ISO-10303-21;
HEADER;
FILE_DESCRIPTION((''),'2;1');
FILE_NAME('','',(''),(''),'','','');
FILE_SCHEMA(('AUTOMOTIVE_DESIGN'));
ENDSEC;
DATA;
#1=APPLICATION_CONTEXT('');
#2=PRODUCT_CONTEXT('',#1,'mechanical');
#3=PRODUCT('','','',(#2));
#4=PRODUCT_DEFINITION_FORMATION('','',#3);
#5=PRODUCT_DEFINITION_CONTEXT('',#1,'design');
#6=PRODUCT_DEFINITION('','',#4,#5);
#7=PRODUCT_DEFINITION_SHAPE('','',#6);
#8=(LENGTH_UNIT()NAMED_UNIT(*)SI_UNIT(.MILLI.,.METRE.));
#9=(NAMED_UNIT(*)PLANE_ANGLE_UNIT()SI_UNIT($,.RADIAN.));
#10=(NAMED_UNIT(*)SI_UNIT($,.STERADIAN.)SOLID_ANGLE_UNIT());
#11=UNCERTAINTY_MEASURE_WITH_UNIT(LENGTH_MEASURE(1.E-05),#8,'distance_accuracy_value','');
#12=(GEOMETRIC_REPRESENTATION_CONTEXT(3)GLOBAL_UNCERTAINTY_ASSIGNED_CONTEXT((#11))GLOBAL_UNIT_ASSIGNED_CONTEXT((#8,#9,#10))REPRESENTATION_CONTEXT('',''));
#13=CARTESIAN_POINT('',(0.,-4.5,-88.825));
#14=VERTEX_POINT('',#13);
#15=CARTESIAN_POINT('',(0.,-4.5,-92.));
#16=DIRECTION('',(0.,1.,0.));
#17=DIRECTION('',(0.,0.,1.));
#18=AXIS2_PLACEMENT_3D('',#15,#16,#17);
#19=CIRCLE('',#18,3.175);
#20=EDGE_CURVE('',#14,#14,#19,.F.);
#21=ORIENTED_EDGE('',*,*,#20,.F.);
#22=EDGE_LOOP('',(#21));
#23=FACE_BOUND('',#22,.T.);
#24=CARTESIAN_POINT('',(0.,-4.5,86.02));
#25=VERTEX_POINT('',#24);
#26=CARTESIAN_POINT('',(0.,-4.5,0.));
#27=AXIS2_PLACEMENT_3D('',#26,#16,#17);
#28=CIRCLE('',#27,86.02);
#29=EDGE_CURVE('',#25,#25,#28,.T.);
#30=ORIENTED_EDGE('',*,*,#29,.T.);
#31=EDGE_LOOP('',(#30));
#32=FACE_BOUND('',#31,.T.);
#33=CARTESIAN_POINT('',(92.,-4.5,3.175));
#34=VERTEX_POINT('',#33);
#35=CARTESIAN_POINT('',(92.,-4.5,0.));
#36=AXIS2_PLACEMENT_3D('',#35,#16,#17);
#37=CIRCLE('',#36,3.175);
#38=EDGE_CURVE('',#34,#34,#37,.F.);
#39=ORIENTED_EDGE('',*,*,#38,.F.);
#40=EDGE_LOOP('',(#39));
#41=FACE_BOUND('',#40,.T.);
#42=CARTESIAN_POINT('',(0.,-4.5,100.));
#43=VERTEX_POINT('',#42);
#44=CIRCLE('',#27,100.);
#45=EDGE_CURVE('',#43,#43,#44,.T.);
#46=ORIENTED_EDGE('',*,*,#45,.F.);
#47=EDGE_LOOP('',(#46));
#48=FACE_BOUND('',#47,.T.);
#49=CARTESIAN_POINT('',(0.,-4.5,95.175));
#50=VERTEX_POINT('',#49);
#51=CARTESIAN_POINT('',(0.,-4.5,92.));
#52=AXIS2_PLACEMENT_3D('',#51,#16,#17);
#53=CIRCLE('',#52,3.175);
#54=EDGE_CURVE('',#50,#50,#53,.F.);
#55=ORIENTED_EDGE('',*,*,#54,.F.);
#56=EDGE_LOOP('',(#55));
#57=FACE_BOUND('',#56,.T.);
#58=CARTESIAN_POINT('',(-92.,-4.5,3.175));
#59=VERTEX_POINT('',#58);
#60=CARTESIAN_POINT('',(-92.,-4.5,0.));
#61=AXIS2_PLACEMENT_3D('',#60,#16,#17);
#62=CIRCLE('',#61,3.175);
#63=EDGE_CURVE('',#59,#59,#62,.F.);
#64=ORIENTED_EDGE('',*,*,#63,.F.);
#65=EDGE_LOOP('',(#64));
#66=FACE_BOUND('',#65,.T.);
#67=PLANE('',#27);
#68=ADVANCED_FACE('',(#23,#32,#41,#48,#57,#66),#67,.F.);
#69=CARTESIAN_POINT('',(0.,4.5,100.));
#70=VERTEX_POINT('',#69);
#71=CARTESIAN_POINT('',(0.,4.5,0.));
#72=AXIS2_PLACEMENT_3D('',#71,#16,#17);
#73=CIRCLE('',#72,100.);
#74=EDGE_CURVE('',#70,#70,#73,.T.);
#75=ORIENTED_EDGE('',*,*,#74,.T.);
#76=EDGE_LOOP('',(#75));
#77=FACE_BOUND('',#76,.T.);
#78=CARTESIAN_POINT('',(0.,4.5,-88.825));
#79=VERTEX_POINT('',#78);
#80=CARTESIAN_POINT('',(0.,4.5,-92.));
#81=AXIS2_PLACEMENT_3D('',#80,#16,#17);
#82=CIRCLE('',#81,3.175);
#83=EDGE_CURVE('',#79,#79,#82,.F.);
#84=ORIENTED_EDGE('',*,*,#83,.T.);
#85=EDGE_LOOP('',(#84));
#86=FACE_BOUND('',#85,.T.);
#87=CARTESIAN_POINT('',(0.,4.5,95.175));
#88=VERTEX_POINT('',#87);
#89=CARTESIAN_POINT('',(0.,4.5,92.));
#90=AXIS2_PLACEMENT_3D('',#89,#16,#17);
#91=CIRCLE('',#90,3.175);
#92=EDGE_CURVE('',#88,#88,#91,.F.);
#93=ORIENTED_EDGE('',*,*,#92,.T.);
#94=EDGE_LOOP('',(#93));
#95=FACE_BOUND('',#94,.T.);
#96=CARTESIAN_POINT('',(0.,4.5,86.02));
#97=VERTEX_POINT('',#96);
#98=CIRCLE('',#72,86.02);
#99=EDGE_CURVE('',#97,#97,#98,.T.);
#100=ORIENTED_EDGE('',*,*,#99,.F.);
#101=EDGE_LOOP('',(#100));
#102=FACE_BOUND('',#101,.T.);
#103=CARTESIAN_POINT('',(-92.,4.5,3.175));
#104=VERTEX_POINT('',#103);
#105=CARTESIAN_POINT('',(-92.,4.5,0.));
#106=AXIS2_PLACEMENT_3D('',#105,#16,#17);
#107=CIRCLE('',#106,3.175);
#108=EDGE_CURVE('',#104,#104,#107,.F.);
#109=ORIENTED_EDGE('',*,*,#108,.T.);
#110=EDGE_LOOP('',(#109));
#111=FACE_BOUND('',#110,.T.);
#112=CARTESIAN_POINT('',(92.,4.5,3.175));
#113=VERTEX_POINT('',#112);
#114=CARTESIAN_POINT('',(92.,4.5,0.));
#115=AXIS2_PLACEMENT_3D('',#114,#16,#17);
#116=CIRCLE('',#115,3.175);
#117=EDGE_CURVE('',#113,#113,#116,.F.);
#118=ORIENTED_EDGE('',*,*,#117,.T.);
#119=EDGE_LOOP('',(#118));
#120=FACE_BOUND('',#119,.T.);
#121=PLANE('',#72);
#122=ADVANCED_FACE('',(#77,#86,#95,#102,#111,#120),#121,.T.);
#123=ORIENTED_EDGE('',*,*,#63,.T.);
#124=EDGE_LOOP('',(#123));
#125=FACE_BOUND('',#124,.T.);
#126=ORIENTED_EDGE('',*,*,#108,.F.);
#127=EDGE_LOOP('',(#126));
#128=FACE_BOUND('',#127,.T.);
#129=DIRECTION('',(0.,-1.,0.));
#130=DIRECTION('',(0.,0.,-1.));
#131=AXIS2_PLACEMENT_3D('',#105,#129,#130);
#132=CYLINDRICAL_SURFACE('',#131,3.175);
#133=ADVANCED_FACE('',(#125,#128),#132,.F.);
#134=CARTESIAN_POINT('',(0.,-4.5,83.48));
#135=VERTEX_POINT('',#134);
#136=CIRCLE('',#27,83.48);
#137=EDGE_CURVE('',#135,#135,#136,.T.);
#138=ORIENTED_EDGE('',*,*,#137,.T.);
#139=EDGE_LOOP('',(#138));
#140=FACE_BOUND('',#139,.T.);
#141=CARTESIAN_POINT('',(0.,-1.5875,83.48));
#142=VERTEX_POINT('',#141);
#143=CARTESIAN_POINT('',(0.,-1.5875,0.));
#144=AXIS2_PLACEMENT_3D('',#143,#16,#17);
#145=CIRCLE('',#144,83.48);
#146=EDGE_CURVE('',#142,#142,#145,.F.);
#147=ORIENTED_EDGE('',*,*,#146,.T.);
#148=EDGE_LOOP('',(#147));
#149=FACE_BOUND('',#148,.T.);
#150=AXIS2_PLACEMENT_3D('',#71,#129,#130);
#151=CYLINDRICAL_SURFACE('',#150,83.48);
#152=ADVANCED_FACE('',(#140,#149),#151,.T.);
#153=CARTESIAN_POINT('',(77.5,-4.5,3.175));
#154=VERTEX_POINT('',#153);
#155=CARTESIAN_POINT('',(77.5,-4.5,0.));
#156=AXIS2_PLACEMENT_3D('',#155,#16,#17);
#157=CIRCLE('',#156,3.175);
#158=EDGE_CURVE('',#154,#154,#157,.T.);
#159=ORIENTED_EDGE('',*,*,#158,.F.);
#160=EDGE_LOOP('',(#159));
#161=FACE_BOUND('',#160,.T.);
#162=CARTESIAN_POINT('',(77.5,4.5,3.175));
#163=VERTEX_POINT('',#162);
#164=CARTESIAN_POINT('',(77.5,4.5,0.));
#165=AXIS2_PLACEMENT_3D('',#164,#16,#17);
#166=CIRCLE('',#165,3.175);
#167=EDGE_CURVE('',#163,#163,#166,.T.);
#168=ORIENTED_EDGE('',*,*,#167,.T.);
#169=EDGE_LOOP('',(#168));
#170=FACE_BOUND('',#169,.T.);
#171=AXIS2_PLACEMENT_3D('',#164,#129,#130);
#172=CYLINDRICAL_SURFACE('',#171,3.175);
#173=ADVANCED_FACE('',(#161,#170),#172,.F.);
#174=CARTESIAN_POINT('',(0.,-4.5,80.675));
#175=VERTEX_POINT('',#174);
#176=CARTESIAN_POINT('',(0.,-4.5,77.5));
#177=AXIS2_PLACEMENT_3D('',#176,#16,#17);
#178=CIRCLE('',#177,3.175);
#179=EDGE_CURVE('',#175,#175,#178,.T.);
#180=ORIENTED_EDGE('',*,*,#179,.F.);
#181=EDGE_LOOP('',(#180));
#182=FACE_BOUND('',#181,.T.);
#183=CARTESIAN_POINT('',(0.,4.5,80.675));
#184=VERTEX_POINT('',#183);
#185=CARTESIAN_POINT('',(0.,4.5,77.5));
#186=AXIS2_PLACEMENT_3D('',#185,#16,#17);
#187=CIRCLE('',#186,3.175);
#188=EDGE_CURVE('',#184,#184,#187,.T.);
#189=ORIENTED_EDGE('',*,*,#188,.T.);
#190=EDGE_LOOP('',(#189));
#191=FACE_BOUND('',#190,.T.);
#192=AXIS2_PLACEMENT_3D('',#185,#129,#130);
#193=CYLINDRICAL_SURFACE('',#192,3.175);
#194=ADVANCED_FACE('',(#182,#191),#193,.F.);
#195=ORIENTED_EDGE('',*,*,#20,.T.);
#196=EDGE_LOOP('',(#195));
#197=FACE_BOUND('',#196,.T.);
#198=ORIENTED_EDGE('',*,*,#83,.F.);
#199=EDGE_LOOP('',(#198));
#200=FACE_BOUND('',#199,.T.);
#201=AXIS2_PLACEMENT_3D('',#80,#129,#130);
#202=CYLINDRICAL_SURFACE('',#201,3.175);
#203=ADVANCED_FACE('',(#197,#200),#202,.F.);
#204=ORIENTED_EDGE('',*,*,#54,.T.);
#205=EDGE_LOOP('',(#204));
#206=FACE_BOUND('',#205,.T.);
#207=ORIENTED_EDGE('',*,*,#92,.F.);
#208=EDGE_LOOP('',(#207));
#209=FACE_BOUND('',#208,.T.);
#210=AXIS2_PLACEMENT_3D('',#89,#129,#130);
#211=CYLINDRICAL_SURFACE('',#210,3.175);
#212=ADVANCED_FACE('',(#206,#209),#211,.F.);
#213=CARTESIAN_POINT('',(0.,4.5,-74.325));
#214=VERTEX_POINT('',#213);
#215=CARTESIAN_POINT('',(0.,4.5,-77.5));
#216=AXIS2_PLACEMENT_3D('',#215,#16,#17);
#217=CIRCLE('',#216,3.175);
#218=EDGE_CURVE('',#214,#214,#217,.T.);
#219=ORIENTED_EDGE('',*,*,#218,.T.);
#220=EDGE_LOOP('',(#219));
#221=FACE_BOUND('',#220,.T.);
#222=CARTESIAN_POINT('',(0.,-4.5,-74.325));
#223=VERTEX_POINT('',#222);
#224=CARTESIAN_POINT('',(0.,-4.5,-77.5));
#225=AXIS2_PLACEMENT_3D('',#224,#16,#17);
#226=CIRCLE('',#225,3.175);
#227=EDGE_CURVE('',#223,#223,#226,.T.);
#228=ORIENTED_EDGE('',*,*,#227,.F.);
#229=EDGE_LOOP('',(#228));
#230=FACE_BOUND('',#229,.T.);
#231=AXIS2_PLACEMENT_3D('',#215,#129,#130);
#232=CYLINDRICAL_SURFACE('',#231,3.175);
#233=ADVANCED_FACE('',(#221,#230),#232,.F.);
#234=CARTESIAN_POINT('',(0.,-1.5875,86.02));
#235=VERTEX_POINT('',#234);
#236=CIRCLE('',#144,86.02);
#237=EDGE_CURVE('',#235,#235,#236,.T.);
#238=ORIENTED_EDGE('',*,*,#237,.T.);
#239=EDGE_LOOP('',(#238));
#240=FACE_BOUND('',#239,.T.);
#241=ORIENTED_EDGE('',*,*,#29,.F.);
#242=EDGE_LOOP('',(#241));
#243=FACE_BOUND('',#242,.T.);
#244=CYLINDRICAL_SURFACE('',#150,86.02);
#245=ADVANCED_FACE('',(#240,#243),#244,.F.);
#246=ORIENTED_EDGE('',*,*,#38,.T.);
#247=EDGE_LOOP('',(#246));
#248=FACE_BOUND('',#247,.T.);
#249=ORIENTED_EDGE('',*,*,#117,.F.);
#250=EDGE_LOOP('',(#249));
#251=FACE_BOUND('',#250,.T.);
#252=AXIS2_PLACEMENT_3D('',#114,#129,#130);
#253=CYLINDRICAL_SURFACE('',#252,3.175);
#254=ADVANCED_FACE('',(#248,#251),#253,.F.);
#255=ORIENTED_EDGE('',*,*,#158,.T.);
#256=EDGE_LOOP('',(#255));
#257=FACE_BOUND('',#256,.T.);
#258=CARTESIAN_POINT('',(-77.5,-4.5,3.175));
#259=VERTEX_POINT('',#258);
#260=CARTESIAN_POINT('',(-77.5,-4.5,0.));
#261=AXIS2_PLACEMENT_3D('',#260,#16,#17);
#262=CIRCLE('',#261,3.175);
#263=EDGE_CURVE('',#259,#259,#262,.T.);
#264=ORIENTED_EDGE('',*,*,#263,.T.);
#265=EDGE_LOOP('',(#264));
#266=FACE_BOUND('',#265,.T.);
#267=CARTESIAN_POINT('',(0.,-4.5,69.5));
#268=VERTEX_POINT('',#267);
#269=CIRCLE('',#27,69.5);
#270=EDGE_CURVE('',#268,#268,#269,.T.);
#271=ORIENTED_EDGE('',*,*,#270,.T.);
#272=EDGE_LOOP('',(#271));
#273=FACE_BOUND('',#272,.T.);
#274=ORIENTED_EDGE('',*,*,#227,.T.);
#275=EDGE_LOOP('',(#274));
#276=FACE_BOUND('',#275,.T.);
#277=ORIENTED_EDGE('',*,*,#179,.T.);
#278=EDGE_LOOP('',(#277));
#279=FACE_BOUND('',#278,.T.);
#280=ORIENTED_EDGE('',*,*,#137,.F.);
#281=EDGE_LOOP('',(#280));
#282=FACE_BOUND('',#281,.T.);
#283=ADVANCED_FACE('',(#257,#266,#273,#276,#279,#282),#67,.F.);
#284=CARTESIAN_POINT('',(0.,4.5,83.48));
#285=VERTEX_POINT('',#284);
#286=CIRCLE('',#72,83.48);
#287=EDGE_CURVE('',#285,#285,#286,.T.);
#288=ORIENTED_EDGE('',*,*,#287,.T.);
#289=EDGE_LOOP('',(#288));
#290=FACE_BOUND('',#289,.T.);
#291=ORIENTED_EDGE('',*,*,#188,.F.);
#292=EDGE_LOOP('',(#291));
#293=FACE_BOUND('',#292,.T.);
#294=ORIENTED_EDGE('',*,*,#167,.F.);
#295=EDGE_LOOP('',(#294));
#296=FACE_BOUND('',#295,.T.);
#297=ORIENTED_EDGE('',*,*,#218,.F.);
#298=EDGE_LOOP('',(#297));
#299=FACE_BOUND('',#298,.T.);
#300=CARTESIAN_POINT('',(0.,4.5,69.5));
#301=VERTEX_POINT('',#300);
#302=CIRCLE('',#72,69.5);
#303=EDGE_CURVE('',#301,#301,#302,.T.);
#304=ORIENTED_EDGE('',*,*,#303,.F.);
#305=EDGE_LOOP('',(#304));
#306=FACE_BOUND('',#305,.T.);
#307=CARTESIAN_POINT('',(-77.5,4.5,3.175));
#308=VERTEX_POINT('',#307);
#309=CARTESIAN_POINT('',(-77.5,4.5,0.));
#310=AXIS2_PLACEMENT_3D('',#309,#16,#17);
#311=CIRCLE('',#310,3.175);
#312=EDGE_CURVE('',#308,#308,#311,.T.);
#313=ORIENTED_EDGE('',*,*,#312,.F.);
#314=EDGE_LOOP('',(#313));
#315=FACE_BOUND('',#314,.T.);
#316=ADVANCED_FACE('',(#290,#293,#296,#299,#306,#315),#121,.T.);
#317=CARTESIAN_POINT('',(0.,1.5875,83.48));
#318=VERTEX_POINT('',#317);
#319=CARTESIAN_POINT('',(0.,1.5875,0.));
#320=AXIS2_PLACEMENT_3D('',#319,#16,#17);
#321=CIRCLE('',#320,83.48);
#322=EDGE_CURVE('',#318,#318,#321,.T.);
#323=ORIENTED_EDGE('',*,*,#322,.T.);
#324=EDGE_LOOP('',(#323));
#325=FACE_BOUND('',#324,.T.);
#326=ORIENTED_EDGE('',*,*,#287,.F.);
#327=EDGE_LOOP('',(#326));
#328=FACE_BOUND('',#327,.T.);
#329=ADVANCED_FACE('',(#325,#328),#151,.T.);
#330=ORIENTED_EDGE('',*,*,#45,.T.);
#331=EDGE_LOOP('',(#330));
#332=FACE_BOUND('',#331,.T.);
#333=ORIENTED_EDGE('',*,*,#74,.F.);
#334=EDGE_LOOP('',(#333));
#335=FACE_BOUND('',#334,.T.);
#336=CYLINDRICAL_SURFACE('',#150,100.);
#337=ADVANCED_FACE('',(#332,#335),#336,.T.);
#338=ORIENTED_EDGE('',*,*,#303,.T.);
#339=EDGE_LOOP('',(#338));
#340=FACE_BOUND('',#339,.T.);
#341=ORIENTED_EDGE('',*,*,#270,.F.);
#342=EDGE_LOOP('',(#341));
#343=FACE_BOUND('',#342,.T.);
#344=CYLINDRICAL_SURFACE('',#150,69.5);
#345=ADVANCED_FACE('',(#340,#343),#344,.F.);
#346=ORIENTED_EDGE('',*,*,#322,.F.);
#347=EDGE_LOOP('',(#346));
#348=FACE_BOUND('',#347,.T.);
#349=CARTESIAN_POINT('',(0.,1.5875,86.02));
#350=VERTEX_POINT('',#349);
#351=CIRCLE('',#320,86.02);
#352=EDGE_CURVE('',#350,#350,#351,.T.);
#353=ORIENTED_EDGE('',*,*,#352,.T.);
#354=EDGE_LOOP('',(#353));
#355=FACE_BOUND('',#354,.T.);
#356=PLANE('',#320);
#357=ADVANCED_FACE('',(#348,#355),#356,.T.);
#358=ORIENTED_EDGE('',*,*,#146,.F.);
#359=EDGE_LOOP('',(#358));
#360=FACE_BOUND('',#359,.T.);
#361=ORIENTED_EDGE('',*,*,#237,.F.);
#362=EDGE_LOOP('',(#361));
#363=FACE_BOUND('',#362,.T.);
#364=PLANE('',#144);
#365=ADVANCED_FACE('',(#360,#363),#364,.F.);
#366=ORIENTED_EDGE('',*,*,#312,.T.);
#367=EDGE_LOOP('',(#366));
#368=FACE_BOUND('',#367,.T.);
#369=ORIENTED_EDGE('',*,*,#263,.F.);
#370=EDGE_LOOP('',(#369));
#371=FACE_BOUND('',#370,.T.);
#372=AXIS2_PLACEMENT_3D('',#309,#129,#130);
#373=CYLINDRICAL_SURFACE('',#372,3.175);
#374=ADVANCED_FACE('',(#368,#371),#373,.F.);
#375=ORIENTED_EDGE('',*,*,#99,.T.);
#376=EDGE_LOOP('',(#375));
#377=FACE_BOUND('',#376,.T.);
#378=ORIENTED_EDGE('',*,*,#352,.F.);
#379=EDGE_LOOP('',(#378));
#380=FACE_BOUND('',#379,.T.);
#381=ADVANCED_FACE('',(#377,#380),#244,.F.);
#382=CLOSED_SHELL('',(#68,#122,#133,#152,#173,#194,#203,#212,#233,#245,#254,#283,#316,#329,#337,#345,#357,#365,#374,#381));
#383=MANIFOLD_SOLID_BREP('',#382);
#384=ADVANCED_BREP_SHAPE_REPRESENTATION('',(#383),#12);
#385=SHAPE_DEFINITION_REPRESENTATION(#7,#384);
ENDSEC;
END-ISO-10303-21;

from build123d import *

# Parameters (mm, degrees)
SKETCH1_R             = 100
SKETCH1_R_2           = 3.175
SKETCH1_R_3           = 86.02
BOSS_EXTRUDE1_DEPTH   = 4.5
SKETCH1_R_4           = 83.48
SKETCH1_R_5           = 69.5
BOSS_EXTRUDE1_2_DEPTH = 4.5
SKETCH1_3_R           = 86.02
SKETCH1_3_R_2         = 83.48
BOSS_EXTRUDE2_DEPTH   = 1.5875


with BuildPart() as part:
    # Sketch1 → Boss-Extrude1 (new, symmetric)
    with BuildSketch(Plane(origin=(0, 0, 0), x_dir=(1, 0, 0), z_dir=(0, 1, 0))):
        Circle(SKETCH1_R)
        with Locations((-92, 0)):
            Circle(SKETCH1_R_2, mode=Mode.SUBTRACT)
        with Locations((0, -92)):
            Circle(SKETCH1_R_2, mode=Mode.SUBTRACT)
        with Locations((0, 92)):
            Circle(SKETCH1_R_2, mode=Mode.SUBTRACT)
        Circle(SKETCH1_R_3, mode=Mode.SUBTRACT)
        with Locations((92, 0)):
            Circle(SKETCH1_R_2, mode=Mode.SUBTRACT)
    extrude(amount=BOSS_EXTRUDE1_DEPTH, both=True)



with BuildPart() as body_2:
    # Sketch1 → Boss-Extrude1 2 (new, symmetric)
    with BuildSketch(Plane(origin=(0, 0, 0), x_dir=(1, 0, 0), z_dir=(0, 1, 0))):
        Circle(SKETCH1_R_4)
        with Locations((-77.5, 0)):
            Circle(SKETCH1_R_2, mode=Mode.SUBTRACT)
        with Locations((0, -77.5)):
            Circle(SKETCH1_R_2, mode=Mode.SUBTRACT)
        with Locations((0, 77.5)):
            Circle(SKETCH1_R_2, mode=Mode.SUBTRACT)
        Circle(SKETCH1_R_5, mode=Mode.SUBTRACT)
        with Locations((77.5, 0)):
            Circle(SKETCH1_R_2, mode=Mode.SUBTRACT)
    extrude(amount=BOSS_EXTRUDE1_2_DEPTH, both=True)


with BuildPart() as part_1:
    add(part.part)

    add(body_2.part)  # Boss-Extrude2 merges body 2
    # Sketch1<3> → Boss-Extrude2 (add, symmetric)
    with BuildSketch(Plane(origin=(0, 0, 0), x_dir=(1, 0, 0), z_dir=(0, 1, 0))):
        Circle(SKETCH1_3_R)
        Circle(SKETCH1_3_R_2, mode=Mode.SUBTRACT)
    extrude(amount=BOSS_EXTRUDE2_DEPTH, both=True)


solid = part_1.part
